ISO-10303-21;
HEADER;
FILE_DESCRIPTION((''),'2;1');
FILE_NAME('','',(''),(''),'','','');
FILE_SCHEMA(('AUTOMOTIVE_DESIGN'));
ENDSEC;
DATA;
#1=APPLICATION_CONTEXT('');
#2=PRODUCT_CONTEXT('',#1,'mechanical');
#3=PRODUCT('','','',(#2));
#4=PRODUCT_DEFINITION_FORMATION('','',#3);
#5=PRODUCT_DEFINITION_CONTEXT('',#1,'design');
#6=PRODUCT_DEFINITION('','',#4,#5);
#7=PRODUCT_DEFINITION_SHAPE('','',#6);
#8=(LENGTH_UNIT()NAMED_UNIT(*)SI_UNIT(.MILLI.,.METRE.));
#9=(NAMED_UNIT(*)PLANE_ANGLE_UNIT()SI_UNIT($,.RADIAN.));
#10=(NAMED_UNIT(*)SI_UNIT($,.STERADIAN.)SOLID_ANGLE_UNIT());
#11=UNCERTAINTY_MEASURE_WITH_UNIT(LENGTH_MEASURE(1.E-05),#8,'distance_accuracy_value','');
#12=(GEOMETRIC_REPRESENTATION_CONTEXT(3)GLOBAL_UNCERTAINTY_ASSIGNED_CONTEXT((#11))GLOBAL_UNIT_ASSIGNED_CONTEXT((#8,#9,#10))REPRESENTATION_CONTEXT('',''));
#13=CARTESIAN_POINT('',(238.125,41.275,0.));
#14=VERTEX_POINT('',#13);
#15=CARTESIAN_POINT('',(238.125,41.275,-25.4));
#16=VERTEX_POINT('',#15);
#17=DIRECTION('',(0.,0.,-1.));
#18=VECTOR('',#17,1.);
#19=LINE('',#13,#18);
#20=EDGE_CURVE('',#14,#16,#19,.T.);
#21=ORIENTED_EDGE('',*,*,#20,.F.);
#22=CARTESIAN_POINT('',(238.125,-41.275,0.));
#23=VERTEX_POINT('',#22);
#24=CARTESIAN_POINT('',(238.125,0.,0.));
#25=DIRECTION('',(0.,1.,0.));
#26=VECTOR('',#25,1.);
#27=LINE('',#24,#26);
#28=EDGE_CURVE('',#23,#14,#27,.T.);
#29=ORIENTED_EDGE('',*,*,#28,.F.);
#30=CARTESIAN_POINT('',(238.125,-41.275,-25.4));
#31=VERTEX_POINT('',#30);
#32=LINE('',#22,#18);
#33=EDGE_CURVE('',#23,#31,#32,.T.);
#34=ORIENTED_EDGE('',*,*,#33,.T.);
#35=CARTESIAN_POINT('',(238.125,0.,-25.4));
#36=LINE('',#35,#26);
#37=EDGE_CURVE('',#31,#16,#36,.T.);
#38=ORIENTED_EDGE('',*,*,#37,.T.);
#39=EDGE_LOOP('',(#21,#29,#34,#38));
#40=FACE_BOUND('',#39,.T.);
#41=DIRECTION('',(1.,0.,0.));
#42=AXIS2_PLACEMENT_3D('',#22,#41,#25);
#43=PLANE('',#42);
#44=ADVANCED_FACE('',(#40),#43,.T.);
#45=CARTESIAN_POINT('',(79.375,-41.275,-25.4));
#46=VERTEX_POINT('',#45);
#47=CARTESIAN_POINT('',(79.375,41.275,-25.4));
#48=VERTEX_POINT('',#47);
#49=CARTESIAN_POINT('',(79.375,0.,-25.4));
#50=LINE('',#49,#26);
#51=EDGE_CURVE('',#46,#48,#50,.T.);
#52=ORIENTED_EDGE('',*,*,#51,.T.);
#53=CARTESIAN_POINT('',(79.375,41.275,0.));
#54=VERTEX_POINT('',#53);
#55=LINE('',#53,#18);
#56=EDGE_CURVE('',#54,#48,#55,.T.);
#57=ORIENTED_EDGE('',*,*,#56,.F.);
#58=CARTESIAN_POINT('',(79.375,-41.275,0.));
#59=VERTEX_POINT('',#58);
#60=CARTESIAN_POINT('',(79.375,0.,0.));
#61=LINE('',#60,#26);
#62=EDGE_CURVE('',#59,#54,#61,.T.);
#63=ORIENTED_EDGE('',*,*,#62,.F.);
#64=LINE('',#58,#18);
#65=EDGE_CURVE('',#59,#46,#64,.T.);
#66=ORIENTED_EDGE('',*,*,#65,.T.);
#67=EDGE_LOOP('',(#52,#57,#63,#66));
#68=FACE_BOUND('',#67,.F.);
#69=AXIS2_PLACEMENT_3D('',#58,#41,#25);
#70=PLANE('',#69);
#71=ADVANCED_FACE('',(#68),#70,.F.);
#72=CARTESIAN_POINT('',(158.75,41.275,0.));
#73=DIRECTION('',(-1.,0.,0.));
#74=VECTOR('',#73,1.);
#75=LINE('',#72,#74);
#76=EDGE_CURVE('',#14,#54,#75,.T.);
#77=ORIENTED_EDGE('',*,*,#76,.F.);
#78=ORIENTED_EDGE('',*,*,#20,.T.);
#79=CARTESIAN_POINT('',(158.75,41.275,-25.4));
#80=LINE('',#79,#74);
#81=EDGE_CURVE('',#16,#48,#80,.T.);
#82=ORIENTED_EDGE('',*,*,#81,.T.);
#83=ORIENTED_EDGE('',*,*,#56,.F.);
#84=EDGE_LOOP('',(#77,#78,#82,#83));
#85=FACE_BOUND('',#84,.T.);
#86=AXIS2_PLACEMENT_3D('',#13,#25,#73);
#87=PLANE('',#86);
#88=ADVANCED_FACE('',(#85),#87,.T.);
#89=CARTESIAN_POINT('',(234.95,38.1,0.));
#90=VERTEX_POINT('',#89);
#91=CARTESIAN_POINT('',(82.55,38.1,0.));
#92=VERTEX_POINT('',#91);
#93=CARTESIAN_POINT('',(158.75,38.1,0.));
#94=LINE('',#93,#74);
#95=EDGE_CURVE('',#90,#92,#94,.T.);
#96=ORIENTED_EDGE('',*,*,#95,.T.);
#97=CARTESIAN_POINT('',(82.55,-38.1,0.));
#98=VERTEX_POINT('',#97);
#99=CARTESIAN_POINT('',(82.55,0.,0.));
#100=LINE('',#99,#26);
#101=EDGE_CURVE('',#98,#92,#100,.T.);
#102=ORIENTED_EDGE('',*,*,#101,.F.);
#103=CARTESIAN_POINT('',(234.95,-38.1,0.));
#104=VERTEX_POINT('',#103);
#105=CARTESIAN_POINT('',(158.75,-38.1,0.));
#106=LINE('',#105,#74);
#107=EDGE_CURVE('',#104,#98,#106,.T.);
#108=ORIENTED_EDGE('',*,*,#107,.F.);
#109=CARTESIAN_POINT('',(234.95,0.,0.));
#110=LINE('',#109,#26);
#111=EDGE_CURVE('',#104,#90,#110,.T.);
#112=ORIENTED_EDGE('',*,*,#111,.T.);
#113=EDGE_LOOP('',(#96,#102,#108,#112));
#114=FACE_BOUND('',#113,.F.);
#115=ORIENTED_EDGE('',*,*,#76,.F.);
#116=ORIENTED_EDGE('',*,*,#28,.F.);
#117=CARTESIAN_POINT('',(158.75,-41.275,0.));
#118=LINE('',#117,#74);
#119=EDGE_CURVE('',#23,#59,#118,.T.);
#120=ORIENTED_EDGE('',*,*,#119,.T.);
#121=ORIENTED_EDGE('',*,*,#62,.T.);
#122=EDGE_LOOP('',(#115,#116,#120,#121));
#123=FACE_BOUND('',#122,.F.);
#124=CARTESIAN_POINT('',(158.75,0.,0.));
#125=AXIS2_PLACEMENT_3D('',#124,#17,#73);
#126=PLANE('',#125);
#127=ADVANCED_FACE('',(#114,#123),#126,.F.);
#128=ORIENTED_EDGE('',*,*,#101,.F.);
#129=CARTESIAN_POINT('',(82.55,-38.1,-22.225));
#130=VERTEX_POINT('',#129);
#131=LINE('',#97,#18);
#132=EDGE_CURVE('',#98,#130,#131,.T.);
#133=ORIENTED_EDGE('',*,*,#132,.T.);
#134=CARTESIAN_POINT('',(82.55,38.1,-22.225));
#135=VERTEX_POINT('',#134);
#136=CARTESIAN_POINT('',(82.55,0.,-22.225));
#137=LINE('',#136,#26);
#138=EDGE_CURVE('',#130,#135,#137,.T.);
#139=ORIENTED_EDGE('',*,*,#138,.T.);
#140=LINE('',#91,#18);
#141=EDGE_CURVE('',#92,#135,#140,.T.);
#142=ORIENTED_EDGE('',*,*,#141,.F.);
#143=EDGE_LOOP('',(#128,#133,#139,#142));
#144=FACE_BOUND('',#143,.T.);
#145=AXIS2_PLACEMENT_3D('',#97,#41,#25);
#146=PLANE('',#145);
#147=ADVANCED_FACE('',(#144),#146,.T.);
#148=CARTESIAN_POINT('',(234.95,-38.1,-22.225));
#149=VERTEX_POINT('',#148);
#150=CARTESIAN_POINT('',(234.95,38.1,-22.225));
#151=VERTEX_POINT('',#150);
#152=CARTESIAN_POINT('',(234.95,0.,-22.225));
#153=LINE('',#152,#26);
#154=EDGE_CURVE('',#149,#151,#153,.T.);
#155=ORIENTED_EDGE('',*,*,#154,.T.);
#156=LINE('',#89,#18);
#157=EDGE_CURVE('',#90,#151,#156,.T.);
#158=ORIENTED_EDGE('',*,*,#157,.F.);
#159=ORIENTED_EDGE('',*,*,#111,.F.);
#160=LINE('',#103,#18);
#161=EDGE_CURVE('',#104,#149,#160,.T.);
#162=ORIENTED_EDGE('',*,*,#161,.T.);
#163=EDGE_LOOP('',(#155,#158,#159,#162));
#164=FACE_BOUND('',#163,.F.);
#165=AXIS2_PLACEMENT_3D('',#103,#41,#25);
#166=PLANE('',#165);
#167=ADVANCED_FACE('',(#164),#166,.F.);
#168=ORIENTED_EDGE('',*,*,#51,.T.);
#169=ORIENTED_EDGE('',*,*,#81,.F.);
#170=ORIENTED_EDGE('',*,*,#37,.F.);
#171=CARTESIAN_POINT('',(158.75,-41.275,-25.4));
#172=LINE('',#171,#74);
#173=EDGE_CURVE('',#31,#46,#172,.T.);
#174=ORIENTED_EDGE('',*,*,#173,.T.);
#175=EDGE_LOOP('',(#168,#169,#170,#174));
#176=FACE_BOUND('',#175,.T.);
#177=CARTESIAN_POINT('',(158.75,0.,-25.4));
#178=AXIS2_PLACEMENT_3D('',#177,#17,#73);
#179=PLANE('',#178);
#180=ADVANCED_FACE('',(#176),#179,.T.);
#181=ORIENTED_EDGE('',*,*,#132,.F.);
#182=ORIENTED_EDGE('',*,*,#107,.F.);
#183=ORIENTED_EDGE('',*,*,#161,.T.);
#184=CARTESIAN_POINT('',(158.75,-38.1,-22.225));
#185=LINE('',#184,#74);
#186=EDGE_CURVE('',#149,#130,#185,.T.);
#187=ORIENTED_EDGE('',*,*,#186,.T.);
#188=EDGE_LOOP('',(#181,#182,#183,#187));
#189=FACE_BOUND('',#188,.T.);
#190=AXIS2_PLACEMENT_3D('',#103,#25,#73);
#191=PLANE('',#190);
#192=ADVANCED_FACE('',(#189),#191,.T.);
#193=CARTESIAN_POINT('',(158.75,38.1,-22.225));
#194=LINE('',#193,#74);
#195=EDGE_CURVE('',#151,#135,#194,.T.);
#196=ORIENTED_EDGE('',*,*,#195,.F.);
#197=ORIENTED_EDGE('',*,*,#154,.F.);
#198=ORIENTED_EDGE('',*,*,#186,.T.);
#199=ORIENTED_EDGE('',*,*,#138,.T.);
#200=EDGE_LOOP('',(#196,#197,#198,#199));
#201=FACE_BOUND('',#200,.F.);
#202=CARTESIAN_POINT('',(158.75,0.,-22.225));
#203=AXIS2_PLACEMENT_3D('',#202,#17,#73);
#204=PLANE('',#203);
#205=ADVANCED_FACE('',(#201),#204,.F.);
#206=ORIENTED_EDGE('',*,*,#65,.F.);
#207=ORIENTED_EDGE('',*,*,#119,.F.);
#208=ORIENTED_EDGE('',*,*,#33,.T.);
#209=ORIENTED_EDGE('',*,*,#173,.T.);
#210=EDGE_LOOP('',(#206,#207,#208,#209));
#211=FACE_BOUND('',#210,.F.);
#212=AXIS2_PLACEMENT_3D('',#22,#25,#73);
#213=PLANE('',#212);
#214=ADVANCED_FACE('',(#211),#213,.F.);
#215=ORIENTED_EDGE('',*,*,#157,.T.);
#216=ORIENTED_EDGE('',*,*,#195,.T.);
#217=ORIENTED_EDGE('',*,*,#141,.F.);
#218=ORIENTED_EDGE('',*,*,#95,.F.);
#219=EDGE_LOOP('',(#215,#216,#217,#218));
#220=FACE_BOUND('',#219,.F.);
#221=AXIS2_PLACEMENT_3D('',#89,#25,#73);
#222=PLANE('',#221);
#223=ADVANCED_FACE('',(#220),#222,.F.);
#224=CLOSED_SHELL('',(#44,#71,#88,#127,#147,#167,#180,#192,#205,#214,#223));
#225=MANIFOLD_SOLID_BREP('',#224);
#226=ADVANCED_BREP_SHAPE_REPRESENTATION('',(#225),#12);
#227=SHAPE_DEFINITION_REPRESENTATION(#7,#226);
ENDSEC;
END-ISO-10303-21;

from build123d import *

# Parameters (mm, degrees)
F0_W     = 158.75
F0_H     = 82.55
F1_DEPTH = 25.4
F2_W     = 152.4
F2_H     = 76.2
F3_DEPTH = 22.225
F4_ANGLE = 180


with BuildPart() as f1:
    # F0 (on Top) → F1 (new body)
    with BuildSketch(Plane.XY):
        Rectangle(F0_W, F0_H)
    extrude(amount=F1_DEPTH)

    # F2 (on Top) → F3 (cut)
    with BuildSketch(Plane.XY):
        Rectangle(F2_W, F2_H)
    extrude(amount=F3_DEPTH, mode=Mode.SUBTRACT)


with BuildPart() as f1_1:
    # F4: moved
    add(f1.part.rotate(Axis((79.375, 0, 0), (0, -1, 0)), F4_ANGLE))


solid = f1_1.part
